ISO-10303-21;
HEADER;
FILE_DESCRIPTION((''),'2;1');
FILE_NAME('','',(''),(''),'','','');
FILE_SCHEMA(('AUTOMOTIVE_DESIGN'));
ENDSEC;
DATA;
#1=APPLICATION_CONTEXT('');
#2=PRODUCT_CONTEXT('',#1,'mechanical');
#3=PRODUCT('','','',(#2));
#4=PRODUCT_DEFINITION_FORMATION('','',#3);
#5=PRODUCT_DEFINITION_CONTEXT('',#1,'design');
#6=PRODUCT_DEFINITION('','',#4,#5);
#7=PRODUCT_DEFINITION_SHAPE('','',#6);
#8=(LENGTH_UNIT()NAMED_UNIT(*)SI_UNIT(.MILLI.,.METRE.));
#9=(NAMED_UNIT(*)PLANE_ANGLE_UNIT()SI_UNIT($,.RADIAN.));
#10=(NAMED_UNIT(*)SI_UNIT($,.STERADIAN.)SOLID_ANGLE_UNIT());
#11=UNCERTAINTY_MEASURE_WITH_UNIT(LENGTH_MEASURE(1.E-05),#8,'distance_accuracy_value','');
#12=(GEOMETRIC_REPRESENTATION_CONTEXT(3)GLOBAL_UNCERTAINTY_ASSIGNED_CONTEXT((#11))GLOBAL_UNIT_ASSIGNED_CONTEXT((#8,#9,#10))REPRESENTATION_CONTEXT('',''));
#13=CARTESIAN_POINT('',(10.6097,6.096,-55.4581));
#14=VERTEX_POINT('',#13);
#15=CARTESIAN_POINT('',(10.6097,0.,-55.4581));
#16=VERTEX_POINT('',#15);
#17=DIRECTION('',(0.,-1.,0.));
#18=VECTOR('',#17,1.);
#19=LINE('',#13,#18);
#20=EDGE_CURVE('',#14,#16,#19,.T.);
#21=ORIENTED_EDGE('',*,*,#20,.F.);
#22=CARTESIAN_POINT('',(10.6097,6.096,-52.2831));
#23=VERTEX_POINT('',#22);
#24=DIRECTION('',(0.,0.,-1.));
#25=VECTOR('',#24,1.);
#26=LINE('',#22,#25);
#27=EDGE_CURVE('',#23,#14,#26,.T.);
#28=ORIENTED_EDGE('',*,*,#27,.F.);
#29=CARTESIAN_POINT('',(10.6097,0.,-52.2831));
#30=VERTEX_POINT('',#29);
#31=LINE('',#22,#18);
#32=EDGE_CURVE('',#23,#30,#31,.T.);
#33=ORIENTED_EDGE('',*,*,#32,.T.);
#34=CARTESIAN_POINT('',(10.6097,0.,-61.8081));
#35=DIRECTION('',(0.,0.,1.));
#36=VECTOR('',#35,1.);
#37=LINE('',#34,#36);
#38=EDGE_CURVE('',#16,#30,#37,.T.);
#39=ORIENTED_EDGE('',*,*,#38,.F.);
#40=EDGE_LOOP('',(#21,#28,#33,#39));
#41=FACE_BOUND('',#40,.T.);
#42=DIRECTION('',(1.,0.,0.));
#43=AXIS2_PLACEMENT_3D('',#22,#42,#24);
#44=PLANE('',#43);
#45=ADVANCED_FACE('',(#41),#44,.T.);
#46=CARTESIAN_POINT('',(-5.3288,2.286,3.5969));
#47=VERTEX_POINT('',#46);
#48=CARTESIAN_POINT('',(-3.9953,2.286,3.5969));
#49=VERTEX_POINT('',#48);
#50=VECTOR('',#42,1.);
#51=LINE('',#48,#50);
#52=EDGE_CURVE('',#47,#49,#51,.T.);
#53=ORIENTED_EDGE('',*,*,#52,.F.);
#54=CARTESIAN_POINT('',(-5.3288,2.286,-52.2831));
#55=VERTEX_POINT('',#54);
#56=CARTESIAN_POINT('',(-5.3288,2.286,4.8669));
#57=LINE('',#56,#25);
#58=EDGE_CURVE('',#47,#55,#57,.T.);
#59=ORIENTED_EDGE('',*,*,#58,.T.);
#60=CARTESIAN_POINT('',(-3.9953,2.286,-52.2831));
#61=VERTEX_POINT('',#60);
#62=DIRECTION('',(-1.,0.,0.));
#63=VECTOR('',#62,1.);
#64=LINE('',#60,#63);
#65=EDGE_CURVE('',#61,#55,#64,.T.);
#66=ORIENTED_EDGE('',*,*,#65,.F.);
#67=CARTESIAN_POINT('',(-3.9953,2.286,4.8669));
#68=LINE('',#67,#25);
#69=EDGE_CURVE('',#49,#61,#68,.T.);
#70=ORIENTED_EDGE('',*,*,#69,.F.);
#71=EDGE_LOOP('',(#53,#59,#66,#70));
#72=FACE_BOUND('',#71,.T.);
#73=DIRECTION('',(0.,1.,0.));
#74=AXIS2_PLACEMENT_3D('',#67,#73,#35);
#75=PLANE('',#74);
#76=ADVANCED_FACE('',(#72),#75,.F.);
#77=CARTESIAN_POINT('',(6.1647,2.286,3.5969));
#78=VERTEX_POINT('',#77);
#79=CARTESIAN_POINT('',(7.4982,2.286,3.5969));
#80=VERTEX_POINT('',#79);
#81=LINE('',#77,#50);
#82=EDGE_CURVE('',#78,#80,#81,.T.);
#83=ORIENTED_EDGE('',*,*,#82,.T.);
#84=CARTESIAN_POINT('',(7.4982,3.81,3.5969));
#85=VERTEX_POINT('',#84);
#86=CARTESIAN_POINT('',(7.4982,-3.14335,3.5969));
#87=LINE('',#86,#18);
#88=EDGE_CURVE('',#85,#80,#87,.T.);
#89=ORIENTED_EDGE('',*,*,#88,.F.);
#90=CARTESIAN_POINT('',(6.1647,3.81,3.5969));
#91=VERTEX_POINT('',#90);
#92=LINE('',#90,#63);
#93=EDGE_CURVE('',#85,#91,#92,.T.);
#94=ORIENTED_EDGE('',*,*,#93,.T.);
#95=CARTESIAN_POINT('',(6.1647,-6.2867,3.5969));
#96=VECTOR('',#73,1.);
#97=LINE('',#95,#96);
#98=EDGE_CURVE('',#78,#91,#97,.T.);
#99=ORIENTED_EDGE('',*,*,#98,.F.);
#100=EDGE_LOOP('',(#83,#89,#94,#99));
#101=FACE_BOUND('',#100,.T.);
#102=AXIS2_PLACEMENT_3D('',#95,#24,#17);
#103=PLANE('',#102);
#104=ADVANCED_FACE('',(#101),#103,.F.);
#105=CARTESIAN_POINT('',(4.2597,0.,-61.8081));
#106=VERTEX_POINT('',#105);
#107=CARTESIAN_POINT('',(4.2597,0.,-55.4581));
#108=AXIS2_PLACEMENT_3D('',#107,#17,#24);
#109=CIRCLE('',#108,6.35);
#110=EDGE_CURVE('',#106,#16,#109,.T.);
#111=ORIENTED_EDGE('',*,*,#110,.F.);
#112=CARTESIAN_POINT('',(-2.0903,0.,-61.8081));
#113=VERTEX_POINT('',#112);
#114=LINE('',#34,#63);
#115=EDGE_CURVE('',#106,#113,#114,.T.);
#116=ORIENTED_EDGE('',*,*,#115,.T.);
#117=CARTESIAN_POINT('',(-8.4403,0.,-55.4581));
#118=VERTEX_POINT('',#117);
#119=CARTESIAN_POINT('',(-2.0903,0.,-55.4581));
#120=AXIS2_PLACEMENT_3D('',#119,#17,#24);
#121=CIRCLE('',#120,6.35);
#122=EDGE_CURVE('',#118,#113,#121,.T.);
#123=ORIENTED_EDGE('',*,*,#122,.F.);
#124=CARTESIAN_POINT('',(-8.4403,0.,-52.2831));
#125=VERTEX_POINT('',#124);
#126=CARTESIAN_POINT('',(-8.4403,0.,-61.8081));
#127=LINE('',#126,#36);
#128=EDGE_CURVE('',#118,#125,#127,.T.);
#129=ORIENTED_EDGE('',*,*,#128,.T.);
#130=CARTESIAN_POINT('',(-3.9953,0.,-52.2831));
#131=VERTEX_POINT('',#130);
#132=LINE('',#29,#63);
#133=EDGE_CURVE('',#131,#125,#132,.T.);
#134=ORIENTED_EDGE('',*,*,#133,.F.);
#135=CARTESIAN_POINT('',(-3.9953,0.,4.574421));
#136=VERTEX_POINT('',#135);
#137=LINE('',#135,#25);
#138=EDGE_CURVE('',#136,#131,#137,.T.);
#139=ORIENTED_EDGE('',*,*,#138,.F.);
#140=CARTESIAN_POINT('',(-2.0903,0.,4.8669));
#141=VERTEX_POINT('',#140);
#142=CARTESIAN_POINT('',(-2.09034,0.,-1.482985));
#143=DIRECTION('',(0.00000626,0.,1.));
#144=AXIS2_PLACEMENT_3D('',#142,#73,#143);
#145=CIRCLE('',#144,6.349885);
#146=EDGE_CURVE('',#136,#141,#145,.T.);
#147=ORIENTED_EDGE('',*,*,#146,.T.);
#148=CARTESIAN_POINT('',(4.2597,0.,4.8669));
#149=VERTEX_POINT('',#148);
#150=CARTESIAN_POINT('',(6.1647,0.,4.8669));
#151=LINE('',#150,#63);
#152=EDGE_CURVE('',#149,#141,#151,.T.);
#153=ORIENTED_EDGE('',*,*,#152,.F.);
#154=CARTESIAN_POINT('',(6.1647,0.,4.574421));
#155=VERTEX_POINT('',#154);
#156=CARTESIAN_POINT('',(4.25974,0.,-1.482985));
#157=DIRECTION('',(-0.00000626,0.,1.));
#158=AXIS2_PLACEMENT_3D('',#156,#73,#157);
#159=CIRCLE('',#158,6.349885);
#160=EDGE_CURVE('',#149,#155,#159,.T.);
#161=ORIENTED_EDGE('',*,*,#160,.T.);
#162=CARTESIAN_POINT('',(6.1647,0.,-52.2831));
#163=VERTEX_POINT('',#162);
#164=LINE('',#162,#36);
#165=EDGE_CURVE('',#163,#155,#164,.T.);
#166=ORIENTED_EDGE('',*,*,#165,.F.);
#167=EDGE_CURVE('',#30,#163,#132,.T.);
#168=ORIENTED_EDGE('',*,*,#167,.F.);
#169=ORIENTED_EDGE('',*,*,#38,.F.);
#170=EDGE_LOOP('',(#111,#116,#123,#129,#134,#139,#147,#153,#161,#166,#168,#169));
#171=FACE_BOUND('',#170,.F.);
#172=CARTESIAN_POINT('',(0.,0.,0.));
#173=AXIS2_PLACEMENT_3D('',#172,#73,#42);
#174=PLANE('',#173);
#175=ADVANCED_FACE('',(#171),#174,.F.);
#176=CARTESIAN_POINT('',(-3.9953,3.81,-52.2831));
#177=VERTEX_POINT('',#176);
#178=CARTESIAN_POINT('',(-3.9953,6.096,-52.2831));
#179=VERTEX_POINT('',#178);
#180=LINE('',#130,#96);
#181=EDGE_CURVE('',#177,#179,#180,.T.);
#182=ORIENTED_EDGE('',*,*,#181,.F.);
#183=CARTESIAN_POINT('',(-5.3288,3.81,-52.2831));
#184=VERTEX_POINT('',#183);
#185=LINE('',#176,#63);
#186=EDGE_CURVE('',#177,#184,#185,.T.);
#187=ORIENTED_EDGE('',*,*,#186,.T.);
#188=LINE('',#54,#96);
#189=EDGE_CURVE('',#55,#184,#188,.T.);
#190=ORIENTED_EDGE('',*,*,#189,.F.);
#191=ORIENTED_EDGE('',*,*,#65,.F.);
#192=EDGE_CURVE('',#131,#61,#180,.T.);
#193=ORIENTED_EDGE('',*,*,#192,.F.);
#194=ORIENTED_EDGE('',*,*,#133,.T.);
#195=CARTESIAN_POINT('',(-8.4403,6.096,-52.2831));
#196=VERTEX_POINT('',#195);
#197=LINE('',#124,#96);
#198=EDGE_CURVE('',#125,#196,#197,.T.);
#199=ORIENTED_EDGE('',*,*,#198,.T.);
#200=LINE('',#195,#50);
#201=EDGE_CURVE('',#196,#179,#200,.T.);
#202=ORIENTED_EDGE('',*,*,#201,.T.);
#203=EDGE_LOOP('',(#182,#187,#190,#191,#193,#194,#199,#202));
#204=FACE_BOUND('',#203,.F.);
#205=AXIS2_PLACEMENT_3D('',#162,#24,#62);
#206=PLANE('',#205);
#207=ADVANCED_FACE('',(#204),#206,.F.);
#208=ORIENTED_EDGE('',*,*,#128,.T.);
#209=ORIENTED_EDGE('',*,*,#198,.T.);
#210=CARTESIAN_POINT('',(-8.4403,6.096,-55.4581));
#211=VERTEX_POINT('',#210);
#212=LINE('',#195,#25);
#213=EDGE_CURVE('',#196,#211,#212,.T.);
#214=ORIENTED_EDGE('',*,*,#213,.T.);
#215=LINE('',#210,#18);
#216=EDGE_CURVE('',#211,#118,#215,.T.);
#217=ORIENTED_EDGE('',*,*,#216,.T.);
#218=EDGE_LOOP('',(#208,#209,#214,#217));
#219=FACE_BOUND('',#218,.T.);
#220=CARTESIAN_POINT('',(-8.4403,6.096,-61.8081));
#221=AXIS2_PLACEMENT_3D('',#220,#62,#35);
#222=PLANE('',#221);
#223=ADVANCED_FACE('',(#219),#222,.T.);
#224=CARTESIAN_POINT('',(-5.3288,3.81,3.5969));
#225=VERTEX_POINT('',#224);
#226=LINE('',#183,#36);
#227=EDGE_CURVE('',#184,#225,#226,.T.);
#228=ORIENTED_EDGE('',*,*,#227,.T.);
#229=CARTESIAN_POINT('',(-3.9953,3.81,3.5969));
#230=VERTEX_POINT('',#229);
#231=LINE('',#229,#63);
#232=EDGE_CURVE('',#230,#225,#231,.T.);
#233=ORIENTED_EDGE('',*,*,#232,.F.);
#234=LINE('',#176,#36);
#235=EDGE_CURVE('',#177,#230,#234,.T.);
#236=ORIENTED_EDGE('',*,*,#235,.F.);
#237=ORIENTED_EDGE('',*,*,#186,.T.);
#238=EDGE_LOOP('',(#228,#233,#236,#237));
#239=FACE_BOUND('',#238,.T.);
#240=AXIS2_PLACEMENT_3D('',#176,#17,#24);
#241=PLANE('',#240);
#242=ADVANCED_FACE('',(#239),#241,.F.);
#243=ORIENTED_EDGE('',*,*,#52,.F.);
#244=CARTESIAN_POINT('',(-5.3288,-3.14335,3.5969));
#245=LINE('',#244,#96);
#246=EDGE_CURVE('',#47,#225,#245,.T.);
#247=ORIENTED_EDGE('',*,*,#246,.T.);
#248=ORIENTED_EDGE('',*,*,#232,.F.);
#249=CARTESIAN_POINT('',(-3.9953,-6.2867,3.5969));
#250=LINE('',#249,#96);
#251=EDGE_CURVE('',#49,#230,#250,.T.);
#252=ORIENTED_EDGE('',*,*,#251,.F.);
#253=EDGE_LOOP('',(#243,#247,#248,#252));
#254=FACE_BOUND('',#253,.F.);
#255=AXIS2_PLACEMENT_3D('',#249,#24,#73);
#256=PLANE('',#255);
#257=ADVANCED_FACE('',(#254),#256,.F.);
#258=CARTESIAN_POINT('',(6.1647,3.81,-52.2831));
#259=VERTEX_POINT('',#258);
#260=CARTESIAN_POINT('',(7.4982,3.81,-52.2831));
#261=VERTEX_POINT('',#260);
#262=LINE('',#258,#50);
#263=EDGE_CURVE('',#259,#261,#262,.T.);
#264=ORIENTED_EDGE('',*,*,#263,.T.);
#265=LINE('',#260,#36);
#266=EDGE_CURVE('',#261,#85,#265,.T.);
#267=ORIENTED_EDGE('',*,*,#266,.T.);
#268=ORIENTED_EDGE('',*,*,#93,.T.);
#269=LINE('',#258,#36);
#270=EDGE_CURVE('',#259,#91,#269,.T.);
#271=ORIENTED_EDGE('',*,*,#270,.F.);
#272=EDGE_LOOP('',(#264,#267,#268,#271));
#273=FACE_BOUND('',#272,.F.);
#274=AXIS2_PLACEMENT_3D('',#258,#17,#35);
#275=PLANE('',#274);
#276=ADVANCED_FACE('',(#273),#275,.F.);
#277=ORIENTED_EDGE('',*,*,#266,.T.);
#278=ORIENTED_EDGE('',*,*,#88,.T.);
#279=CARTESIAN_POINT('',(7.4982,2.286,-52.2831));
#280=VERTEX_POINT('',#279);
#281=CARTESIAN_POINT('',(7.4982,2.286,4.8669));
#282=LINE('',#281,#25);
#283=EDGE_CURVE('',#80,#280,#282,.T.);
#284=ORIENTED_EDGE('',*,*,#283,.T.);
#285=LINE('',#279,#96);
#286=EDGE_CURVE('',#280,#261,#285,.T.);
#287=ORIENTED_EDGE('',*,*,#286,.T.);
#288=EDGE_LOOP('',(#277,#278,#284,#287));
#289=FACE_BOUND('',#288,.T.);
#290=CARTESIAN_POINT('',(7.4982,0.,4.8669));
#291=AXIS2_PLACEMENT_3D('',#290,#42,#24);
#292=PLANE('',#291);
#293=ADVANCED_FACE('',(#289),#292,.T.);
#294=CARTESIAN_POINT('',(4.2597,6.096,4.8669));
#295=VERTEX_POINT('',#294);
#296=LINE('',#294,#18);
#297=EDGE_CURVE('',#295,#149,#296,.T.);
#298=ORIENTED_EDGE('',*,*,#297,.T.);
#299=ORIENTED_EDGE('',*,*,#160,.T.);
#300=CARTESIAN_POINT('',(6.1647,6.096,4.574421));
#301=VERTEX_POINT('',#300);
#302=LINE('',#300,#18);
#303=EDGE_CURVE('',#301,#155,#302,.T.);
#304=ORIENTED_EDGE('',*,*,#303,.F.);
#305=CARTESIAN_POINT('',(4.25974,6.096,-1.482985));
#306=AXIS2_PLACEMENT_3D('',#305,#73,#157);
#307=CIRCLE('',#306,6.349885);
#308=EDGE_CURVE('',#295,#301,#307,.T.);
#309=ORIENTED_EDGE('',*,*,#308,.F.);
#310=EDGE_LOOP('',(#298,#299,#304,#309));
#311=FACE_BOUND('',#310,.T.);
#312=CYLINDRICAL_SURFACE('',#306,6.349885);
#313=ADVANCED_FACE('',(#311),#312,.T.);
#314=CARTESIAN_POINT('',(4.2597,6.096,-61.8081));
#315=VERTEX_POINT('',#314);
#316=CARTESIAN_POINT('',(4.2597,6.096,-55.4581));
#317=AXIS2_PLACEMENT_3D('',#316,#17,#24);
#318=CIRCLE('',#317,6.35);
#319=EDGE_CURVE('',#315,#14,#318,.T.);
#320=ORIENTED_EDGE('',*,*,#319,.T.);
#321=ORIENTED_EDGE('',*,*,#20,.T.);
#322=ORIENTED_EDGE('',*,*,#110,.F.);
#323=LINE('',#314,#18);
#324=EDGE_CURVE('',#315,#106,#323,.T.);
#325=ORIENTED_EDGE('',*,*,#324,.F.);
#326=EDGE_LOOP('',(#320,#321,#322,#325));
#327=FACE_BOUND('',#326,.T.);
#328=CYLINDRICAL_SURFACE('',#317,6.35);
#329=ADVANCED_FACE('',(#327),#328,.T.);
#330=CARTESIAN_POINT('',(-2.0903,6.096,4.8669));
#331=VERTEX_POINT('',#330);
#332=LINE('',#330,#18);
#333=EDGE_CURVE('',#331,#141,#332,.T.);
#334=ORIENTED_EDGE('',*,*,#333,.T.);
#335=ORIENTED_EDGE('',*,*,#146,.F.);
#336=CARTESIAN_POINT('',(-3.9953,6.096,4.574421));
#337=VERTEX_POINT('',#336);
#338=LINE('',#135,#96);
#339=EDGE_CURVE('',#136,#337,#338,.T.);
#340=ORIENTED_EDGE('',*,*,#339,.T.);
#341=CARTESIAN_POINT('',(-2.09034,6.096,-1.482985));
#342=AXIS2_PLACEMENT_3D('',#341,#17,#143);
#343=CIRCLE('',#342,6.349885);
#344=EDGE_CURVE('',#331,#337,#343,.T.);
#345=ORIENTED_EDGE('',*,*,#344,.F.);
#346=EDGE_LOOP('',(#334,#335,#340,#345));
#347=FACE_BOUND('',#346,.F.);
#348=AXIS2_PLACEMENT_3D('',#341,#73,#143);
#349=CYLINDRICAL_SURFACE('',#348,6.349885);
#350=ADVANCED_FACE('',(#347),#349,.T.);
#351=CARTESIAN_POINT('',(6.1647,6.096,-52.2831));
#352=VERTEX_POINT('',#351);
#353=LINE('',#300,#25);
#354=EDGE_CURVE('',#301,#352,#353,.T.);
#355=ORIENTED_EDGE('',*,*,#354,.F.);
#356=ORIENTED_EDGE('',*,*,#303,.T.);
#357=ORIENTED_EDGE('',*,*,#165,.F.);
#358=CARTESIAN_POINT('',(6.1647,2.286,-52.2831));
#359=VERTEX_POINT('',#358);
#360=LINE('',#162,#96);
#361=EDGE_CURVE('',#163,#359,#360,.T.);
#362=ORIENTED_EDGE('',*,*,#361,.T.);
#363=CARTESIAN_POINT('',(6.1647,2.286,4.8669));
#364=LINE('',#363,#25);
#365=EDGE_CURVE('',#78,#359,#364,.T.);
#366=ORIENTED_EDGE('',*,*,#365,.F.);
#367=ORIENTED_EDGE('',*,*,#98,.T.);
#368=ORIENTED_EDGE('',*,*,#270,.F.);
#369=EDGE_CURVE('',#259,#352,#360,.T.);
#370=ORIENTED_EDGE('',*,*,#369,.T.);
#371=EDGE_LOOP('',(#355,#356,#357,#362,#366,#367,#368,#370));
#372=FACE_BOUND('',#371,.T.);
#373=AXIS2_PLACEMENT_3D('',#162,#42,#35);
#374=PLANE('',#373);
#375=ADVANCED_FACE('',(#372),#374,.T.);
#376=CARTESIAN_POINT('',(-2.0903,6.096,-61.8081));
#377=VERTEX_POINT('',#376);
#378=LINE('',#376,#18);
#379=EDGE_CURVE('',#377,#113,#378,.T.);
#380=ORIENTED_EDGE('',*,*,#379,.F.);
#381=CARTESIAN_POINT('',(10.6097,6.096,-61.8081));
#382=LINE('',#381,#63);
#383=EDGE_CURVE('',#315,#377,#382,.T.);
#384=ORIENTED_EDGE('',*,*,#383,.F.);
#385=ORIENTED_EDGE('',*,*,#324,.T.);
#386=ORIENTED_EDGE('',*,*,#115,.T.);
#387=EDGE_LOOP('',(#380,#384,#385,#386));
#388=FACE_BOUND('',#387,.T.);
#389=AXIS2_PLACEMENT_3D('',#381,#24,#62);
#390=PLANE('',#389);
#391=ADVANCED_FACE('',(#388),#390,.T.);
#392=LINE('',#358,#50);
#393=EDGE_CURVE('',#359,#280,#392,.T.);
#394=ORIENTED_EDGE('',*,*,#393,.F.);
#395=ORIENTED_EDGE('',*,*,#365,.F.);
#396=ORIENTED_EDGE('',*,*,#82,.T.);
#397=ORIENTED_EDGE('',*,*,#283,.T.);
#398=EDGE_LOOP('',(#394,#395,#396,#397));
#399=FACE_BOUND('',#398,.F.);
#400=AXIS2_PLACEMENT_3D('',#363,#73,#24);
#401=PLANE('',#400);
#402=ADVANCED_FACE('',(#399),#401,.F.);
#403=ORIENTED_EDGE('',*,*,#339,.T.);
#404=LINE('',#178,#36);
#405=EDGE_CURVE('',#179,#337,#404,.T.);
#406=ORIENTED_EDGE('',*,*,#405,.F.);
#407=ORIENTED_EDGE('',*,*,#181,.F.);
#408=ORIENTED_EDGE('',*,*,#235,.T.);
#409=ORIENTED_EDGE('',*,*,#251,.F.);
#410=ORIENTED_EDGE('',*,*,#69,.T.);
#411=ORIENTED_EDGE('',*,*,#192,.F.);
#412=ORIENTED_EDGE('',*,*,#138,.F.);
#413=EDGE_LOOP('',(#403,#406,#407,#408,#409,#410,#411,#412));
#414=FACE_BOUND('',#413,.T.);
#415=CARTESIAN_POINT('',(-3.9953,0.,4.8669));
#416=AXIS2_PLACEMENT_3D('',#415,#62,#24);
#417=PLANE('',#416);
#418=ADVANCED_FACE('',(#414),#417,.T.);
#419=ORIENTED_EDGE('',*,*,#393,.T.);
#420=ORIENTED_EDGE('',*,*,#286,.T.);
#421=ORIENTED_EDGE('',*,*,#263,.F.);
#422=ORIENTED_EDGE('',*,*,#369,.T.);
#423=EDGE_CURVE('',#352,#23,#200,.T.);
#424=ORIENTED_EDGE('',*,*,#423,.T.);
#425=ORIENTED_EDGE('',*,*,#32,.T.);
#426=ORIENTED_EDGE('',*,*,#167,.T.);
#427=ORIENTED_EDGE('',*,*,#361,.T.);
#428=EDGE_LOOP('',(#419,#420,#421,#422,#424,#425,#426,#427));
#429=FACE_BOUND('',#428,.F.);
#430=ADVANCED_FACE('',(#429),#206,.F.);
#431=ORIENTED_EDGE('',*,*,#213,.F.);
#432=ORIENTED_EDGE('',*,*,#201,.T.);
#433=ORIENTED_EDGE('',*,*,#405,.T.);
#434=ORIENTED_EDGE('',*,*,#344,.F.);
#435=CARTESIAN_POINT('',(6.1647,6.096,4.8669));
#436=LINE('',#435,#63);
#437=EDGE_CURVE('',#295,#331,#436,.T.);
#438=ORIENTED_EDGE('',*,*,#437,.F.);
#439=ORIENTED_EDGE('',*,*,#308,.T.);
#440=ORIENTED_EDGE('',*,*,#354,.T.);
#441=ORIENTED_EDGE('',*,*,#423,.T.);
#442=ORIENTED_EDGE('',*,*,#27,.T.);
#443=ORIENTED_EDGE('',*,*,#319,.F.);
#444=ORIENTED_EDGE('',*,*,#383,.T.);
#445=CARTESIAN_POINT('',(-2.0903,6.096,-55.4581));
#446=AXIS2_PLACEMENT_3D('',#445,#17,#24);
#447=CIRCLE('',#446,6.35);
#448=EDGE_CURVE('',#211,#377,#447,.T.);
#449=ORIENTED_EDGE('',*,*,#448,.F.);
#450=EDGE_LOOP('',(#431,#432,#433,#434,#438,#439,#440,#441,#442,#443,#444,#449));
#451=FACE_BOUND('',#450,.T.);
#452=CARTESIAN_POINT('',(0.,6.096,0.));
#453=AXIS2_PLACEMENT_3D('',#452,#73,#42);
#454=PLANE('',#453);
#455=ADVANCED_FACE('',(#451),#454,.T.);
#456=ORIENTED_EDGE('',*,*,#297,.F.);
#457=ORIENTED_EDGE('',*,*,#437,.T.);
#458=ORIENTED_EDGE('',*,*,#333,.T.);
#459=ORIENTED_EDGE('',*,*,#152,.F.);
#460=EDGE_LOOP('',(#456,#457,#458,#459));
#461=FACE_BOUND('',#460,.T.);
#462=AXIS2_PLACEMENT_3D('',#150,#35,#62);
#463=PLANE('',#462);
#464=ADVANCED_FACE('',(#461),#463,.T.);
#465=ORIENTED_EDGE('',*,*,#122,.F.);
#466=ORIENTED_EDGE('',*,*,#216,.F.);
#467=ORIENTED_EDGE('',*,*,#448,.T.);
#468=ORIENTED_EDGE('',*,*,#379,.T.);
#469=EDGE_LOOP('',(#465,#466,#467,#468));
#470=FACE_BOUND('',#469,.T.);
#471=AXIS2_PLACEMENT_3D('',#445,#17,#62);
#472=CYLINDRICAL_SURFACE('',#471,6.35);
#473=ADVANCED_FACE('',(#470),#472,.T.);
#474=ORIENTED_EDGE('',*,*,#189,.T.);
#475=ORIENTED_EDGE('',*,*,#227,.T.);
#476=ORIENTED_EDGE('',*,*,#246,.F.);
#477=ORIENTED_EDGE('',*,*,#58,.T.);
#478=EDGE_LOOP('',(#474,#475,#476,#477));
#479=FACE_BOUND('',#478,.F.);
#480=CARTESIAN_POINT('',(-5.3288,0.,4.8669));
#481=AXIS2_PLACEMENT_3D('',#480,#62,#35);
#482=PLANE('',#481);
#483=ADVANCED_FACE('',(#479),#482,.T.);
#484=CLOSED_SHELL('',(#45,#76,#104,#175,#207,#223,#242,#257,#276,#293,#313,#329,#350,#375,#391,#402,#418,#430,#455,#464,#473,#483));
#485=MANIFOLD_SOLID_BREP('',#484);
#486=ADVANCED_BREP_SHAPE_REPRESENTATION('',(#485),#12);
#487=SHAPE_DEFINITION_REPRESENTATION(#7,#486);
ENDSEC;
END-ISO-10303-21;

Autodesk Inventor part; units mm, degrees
ref_plane "YZ Plane" through (0, 0, 0) normal (1, 0, 0) x (0, 1, 0)
ref_plane "XZ Plane" through (0, 0, 0) normal (0, 1, 0) x (-1, 0, 0)
ref_plane "XY Plane" through (0, 0, 0) normal (0, 0, 1) x (1, 0, 0)
sketch "Sketch1" plane through (0, 0, 0) normal (0, 1, 0) x (-1, 0, 0)
  line L0 (-6.1647, 4.8669) -> (3.9953, 4.8669)
  line L1 (3.9953, 4.8669) -> (3.9953, -52.2831)
  line L2 (3.9953, -52.2831) -> (-6.1647, -52.2831)
  line L3 (-6.1647, -52.2831) -> (-6.1647, 4.8669)
  point P0 (0, 0)
  dimension "d0" = 10.16
  dimension "d1" = 57.15
extrude "Extrusion1" add sketch "Sketch1" along normal blind 6.096
sketch "Sketch2" plane through (6.1647, 0, 4.8669) normal (1, 0, 0) x (0, 0, -1)
  point P0 (4.8669, 0)
sketch "Sketch3" plane through (6.1647, 0, 4.8669) normal (1, 0, 0) x (0, 0, -1)
  line L0 (0, 0) -> (0, 6.096) projected
  line L1 (0, 2.286) -> (57.15, 2.286)
  line L2 (57.15, 2.286) -> (57.15, 3.81)
  line L3 (57.15, 3.81) -> (0, 3.81)
  line L4 (0, 3.81) -> (0, 2.286)
  line L5 (57.15, 0) -> (0, 0) projected
  point P0 (4.8669, 0)
  dimension "d4" = 1.524
  dimension "d5" = 57.15
  dimension "d6" = 2.286
extrude "Extrusion2" add sketch "Sketch3" along normal blind 1.3335
ref_plane "Work Plane1" through (1.0847, 6.096, 4.8669) normal (1, 0, 0) x (0, 0, -1)
mirror "Mirror1" about plane through (1.0847, 6.096, 4.8669) normal (1, 0, 0) of "Extrusion2"
sketch "Sketch4" plane through (6.1647, 0, -52.2831) normal (0, 0, -1) x (-1, 0, 0)
  line L0 (-4.445, 0) -> (14.605, 0)
  line L1 (14.605, 0) -> (14.605, 6.096)
  line L2 (14.605, 6.096) -> (-4.445, 6.096)
  line L3 (-4.445, 6.096) -> (-4.445, 0)
  line L4 (11.4935, 2.286) -> (11.4935, 3.81) projected
  line L5 (0, 6.096) -> (10.16, 6.096) projected
  line L6 (5.08, -1.2192) -> (5.08, 7.3152) projected
  point P0 (6.1647, 0)
  dimension "d12" = 6.096
  dimension "d13" = 19.05
  dimension "d14" = 9.525
extrude "Extrusion3" add sketch "Sketch4" along normal blind 6.35
fillet "Fillet2" radius 6.35 2 edges at (10.6097, 3.048, -58.6331) (-8.4403, 3.048, -58.6331)
sketch "Sketch5" plane through (0, 6.096, 0) normal (0, 1, 0) x (1, 0, 0)
  line L0 (4.2597, 58.6331) -> (-2.0903, 58.6331) projected
  line L1 (4.2597, 58.6331) -> (4.2597, -15.5891) construction
  line L2 (6.1647, -4.8669) -> (-3.9953, -4.8669) projected
  arc A0 (4.2597, -4.8669) -> (10.4219, -0.0496) centre (4.2597, 1.4831) ccw
  line L3 (11.5575, 1.4831) -> (7.7347, 1.4831) construction
  line L4 (10.4219, -0.0496) -> (12.4924, -6.8649)
  line L5 (12.4924, -6.8649) -> (5.3123, -7.0975)
  line L6 (5.3123, -7.0975) -> (4.2597, -4.8669)
  point P0 (0, 0)
  dimension "d16" = 6.35
extrude "Extrusion4" cut sketch "Sketch5" against normal blind 7.62
mirror "Mirror2" about plane through (1.0847, 6.096, 4.8669) normal (1, 0, 0) of "Extrusion4"
sketch "Sketch6" plane through (-3.9953, 3.81, -52.2831) normal (-1, 0, 0) x (0, 0, 1)
  line L0 (55.88, 6.0179) -> (62.6058, 6.0179)
  line L1 (62.6058, 6.0179) -> (62.6058, -10.0967)
  line L2 (62.6058, -10.0967) -> (55.88, -10.0967)
  line L3 (55.88, -10.0967) -> (55.88, 6.0179)
  line L4 (0, -3.81) -> (0, 2.286) projected
  point P0 (52.2831, -3.81)
  dimension "d19" = 55.88
extrude "Extrusion5" cut sketch "Sketch6" along normal blind 7.62
mirror "Mirror3" about plane through (1.0847, 6.096, 4.8669) normal (1, 0, 0) of "Extrusion5"
sketch "Sketch7" plane through (0, 6.096, 0) normal (0, 1, 0) x (1, 0, 0)
  line L0 (-8.4403, 52.2831) -> (10.6097, 52.2831)
  line L1 (10.6097, 52.2831) -> (10.6097, 61.8081)
  line L2 (10.6097, 61.8081) -> (-8.4403, 61.8081)
  line L3 (-8.4403, 61.8081) -> (-8.4403, 52.2831)
  point P0 (0, 0)
  dimension "d22" = 19.05
  dimension "d23" = 9.525
extrude "Extrusion6" add sketch "Sketch7" against normal blind 6.096
fillet "Fillet3" radius 6.35 2 edges at (10.6097, 3.048, -61.8081) (-8.4403, 3.048, -61.8081)
properties part number "Marcus' Case Clip"
